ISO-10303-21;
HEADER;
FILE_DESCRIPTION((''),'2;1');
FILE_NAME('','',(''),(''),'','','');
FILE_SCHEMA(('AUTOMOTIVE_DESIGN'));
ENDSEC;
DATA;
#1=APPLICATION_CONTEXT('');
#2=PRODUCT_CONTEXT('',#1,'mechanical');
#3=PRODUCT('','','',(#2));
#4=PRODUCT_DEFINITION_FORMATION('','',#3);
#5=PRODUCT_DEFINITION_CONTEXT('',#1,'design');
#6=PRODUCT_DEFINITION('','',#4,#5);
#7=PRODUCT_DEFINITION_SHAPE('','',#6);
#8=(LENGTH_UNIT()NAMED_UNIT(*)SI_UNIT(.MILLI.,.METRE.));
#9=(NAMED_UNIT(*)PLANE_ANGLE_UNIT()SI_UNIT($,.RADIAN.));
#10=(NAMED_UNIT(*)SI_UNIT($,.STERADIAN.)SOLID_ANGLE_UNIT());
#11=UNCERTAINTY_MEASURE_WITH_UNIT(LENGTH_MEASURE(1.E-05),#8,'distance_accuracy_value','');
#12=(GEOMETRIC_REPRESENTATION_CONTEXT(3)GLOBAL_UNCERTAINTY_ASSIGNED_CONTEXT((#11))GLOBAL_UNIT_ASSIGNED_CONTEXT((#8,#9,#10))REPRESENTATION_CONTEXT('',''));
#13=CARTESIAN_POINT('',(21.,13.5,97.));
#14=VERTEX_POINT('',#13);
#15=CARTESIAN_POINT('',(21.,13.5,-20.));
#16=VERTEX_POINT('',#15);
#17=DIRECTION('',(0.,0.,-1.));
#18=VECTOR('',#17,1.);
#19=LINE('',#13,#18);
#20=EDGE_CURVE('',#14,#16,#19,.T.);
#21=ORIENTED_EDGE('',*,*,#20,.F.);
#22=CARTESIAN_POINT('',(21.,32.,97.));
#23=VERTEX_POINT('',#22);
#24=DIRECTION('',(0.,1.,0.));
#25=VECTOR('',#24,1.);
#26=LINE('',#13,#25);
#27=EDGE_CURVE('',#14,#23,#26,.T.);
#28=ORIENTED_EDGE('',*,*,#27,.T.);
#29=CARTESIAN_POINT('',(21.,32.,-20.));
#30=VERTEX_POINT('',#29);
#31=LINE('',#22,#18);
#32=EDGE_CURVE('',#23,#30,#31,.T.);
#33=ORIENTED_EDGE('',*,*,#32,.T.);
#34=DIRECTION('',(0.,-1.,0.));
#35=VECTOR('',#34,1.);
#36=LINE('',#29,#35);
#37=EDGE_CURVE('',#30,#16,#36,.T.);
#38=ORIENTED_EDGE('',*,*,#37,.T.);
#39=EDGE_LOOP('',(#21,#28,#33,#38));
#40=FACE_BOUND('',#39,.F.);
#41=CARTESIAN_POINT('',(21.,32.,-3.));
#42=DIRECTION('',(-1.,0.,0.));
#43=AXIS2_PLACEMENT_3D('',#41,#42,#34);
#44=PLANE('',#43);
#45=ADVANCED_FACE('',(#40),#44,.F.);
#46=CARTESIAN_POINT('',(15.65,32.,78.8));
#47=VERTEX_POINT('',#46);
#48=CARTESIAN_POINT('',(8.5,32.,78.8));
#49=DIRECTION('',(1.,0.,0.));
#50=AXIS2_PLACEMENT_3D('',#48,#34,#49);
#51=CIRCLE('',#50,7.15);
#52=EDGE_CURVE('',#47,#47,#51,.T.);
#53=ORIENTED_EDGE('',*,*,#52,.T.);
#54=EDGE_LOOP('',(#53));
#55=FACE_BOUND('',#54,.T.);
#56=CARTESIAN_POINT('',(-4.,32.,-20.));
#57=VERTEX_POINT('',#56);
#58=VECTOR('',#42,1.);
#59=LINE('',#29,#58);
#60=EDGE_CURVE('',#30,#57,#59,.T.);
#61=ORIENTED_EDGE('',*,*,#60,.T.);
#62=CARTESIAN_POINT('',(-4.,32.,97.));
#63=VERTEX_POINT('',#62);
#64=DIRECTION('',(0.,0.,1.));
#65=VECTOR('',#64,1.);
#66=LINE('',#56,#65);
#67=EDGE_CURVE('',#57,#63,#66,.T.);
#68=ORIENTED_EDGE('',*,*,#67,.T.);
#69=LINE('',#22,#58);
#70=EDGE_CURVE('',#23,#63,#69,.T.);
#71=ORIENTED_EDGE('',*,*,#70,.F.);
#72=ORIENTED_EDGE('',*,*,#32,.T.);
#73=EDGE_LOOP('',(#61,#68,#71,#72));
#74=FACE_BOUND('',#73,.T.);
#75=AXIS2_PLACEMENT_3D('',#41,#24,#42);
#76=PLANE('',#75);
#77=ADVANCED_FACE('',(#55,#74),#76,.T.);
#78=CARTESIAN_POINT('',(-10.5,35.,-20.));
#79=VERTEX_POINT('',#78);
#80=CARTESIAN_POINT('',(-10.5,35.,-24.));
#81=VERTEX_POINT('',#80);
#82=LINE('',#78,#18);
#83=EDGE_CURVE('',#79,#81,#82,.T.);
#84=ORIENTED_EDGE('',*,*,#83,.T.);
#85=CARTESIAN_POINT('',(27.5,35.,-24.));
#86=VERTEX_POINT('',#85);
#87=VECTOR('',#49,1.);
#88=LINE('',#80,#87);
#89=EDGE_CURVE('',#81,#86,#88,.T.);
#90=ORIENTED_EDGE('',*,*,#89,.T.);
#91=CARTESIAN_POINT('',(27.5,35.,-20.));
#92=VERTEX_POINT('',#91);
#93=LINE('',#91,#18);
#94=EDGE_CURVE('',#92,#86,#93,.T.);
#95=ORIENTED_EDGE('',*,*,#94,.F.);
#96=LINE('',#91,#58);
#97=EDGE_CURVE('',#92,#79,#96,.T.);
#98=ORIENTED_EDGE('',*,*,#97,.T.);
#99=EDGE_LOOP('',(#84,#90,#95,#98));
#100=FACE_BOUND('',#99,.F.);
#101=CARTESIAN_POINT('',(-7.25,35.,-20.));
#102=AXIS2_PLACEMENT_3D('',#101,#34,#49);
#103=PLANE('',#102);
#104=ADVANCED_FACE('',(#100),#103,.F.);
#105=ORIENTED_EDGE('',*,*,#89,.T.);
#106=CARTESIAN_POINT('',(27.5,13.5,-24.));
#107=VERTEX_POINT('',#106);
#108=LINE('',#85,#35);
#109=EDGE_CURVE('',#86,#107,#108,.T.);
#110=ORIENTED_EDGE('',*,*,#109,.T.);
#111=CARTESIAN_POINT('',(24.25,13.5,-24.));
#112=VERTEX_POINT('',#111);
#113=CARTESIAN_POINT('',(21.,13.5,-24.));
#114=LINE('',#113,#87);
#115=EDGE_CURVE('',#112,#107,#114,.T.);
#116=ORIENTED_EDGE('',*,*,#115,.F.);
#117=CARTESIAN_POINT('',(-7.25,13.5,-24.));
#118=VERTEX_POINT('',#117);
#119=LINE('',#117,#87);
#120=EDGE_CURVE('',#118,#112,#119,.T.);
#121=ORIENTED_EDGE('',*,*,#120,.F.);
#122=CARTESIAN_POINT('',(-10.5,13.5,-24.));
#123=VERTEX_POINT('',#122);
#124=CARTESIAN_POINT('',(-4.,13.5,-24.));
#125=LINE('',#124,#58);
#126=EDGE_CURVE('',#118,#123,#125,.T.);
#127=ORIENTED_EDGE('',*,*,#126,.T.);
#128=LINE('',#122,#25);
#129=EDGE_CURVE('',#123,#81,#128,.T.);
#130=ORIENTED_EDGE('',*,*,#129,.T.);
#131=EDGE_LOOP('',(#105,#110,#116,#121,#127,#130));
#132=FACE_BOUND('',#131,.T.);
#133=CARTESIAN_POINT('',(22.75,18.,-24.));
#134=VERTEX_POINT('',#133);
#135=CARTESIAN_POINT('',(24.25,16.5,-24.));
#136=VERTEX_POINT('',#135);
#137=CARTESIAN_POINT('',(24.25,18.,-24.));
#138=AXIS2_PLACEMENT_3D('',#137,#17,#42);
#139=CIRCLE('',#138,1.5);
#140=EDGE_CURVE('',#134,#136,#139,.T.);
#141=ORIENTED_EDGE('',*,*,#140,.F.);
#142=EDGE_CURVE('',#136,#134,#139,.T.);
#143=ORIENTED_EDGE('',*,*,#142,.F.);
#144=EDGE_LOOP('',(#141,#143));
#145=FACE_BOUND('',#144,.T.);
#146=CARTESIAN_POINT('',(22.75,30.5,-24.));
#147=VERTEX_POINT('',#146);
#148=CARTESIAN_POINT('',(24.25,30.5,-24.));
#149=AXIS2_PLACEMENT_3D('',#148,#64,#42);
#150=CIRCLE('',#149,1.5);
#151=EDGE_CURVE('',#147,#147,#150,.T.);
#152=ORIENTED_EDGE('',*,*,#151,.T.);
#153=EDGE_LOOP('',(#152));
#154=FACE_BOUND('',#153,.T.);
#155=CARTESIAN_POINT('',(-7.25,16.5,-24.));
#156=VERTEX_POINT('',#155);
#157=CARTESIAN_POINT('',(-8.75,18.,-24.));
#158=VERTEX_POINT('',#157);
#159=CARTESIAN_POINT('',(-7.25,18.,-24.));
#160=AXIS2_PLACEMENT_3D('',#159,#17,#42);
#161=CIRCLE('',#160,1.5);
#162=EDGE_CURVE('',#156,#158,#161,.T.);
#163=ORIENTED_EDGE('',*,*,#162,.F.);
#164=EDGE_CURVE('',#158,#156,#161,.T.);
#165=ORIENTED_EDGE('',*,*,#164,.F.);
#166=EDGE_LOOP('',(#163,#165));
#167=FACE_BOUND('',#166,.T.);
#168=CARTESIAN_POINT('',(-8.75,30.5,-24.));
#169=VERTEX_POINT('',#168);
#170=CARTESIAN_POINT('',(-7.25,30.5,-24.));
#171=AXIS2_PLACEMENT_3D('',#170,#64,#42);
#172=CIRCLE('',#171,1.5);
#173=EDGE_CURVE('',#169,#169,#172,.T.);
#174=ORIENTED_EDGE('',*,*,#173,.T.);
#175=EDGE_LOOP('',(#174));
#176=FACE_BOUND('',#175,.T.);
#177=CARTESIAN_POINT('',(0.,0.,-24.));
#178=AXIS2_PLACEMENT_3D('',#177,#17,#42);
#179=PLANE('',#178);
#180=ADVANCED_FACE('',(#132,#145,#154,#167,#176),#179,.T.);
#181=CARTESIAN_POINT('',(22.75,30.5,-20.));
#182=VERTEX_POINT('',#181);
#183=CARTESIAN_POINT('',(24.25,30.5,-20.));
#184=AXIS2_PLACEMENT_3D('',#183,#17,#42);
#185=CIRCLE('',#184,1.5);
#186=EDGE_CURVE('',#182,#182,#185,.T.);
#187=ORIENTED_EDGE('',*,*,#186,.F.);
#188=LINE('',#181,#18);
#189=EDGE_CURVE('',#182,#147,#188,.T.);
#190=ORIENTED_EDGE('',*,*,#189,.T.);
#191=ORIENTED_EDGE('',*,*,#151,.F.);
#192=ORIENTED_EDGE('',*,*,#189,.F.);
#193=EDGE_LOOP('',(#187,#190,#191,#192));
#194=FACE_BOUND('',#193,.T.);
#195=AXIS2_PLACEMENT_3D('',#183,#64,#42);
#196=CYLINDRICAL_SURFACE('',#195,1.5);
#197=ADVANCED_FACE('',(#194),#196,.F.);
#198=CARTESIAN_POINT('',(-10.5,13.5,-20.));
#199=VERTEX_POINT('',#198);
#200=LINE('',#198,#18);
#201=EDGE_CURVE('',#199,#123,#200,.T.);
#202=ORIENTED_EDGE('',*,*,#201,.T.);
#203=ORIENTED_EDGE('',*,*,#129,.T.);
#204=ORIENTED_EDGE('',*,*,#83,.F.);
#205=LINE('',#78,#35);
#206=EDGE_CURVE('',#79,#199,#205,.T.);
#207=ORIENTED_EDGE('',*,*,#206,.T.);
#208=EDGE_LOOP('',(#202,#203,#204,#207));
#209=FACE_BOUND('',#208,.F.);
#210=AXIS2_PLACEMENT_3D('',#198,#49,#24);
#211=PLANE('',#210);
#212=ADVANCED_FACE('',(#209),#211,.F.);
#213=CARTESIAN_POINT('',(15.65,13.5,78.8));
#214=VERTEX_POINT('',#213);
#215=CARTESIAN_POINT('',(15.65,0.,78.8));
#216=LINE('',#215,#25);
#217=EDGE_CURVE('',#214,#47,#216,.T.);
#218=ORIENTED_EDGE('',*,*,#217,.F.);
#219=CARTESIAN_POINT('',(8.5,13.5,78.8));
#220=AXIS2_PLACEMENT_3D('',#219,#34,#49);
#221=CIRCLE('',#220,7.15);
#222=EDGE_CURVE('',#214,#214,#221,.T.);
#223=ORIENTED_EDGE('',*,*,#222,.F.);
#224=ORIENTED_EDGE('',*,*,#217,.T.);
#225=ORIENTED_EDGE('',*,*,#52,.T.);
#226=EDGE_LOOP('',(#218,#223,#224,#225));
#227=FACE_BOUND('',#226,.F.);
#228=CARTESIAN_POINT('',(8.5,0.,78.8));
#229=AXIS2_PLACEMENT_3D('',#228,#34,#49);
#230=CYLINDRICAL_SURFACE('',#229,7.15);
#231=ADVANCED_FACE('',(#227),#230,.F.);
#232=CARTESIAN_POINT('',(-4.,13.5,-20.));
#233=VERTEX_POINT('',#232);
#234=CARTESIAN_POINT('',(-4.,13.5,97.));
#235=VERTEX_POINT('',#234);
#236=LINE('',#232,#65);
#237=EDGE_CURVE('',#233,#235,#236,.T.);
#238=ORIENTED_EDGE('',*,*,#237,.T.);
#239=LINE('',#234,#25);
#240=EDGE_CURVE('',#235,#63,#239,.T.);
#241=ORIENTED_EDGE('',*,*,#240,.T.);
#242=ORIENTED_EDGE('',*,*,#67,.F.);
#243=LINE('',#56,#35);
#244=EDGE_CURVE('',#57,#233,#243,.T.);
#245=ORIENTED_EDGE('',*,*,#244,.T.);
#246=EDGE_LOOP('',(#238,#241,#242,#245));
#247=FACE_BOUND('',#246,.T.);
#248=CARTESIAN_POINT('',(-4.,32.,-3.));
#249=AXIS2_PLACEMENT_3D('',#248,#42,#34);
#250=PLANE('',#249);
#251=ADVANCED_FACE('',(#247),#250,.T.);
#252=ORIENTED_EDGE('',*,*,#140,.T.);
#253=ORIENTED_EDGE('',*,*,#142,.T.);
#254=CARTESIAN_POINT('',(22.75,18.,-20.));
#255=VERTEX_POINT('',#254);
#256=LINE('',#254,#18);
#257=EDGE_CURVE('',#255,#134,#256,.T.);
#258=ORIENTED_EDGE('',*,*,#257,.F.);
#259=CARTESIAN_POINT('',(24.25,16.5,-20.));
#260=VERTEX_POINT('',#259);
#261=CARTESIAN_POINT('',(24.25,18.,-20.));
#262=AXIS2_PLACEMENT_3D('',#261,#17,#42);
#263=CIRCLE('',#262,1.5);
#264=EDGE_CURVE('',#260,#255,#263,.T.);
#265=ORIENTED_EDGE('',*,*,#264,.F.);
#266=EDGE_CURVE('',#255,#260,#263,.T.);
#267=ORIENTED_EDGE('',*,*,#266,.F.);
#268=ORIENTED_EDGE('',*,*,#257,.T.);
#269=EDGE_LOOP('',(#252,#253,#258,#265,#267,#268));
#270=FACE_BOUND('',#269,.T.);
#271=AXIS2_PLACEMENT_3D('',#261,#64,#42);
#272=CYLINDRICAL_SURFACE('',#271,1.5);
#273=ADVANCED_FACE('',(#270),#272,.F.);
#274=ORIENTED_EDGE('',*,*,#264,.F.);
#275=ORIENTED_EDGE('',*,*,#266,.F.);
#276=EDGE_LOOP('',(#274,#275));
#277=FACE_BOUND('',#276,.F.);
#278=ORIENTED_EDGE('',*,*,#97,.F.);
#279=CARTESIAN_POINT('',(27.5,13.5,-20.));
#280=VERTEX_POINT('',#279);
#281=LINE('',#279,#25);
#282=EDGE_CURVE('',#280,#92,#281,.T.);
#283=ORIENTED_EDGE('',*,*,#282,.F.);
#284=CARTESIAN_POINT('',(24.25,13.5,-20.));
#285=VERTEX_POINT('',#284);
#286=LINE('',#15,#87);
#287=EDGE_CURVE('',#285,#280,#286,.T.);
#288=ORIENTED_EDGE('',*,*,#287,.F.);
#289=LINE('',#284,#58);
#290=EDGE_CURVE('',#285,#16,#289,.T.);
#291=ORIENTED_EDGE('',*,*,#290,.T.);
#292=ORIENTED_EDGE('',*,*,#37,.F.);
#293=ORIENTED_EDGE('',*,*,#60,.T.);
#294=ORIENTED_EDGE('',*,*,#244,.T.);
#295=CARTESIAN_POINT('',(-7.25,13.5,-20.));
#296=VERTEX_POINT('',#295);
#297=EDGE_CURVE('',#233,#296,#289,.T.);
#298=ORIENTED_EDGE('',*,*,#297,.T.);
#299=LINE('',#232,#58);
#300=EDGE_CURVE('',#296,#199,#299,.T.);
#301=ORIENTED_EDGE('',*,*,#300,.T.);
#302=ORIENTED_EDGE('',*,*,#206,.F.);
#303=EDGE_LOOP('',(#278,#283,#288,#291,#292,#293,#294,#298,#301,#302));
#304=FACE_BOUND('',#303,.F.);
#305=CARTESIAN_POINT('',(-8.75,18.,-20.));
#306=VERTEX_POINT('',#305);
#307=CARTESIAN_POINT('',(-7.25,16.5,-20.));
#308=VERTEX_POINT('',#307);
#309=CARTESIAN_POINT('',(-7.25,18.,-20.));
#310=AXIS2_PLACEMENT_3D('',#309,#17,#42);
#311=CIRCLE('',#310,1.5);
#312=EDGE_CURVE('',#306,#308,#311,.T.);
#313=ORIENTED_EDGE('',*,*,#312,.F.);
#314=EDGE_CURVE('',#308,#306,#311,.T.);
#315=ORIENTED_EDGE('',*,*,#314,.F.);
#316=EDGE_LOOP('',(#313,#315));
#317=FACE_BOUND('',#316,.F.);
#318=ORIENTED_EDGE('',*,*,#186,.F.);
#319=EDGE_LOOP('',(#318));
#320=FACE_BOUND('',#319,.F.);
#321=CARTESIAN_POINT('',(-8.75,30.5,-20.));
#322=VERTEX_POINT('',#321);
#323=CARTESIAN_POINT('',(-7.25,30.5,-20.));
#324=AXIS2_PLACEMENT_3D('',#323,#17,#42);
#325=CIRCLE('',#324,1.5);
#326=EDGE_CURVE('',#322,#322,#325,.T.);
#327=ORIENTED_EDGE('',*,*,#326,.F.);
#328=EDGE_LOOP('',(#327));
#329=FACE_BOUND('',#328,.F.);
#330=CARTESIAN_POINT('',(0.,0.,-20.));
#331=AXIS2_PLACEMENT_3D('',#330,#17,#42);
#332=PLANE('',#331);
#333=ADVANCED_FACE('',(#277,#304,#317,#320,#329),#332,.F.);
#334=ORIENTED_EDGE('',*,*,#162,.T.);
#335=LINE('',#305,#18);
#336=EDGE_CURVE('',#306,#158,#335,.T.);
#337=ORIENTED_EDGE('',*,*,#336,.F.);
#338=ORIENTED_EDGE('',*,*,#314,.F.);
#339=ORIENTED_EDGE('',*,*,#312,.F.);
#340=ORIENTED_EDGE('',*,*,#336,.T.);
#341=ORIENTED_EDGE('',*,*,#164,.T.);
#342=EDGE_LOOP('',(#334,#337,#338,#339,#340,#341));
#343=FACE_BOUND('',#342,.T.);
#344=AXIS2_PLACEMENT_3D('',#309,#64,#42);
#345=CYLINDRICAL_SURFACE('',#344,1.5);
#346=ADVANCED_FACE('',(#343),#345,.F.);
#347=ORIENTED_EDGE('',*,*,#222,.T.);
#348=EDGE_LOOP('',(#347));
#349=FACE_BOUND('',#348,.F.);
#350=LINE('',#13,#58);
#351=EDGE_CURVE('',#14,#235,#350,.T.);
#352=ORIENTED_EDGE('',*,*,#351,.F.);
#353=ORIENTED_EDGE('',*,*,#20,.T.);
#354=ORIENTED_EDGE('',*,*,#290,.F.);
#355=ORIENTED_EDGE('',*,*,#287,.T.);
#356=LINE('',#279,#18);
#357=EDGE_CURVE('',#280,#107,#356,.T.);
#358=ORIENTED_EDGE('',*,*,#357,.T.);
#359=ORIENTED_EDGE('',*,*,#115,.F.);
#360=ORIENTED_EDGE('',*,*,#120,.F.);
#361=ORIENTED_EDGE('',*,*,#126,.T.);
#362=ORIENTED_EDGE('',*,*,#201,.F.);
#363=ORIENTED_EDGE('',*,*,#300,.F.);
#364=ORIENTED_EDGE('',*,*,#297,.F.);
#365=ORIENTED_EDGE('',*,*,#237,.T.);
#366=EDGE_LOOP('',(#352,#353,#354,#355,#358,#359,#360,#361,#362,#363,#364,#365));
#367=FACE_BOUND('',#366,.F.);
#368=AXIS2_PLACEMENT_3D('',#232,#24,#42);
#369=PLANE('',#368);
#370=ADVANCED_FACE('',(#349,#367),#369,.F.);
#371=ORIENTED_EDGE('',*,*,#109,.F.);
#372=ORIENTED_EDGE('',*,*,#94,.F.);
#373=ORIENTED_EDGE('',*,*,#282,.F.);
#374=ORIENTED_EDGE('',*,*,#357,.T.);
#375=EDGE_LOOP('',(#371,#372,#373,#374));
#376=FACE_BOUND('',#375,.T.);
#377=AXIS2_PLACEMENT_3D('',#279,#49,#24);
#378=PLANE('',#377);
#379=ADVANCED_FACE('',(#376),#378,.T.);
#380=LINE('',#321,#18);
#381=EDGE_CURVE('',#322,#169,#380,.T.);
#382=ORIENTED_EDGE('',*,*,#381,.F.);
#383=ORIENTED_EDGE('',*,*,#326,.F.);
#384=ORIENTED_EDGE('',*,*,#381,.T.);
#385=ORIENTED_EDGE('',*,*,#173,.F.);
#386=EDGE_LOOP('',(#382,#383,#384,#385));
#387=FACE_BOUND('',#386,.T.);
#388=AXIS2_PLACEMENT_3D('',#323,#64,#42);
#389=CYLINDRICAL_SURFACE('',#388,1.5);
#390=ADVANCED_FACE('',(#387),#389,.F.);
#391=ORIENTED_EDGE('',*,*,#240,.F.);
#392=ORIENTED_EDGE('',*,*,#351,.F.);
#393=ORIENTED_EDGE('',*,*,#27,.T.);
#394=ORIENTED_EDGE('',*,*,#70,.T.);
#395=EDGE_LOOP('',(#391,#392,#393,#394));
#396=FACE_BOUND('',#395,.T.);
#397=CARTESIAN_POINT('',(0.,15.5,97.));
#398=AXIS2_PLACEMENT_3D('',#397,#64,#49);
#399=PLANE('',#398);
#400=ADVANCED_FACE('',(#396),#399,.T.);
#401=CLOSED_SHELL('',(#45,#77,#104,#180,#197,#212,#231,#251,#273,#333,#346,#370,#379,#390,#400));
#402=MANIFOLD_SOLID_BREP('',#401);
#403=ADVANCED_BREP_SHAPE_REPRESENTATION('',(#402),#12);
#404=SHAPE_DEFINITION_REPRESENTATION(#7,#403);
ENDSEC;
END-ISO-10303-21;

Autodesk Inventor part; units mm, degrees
ref_plane "YZ Plane" through (0, 0, 0) normal (1, 0, 0) x (0, 1, 0)
ref_plane "XZ Plane" through (0, 0, 0) normal (0, 1, 0) x (-1, 0, 0)
ref_plane "XY Plane" through (0, 0, 0) normal (0, 0, 1) x (1, 0, 0)
sketch "Sketch14" plane through (0, 0, 0) normal (0, 0, 1) x (1, 0, 0)
  line L0 (0, 0) -> (17, 0)
  line L1 (17, 0) -> (17, 30)
  line L2 (17, 30) -> (0, 30)
  line L3 (0, 30) -> (0, 0)
  line L4 (-6, 36) -> (23, 36)
  line L5 (23, 36) -> (23, -6)
  line L6 (23, -6) -> (-6, -6)
  line L7 (-6, -6) -> (-6, 36)
  dimension "d55" = 17
  dimension "d56" = 30
  dimension "d57" = 6
extrude "Extrusion12" add sketch "Sketch14" against normal blind 3 contours L3 L2 L1 L0 | L4 L5 L6 L7
extrude "Extrusion13" add sketch "Sketch14" along normal blind 90 contours L3 L2 L1 L0
sketch "Sketch15" plane through (0, 0, 0) normal (0, -1, 0) x (1, 0, 0)
  line L0 (0, 0) -> (0, 90) projected
  line L1 (0, 90) -> (17.1111, 90)
  line L2 (0, 90) -> (17, 90)
  line L3 (17, 90) -> (17, 97)
  line L4 (17, 97) -> (0, 97)
  line L5 (0, 97) -> (0, 90)
  line L6 (17, 90) -> (0, 90) projected
  circle A0 centre (8.5, 78.8) radius 7.15
  line L7 (17, 0) -> (17, 90) projected
  line L8 (0, 97) -> (17, 97)
  line L9 (17, 97) -> (17, 42)
  line L10 (17, 42) -> (0, 42)
  line L11 (0, 42) -> (0, 97)
  dimension "d67" = 7
  dimension "d73" = 14.3
  dimension "d79" = 55
extrude "Extrusion14" cut sketch "Sketch15" against normal blind 90 contours A0
extrude "Extrusion15" cut sketch "Sketch15" against normal blind 15.5 contours L0 L1 L7 L10
extrude "Extrusion17" add sketch "Sketch15" against normal blind 30 contours L5 L4 L3 L1
sketch "Sketch16" plane through (0, 0, 0) normal (0, -1, 0) x (1, 0, 0)
  line L0 (0, 0) -> (0, 97) projected
  line L1 (17, 0) -> (17, 97) projected
  line L2 (0, 97) -> (17, 97)
  line L3 (17, 97) -> (17, 90)
  line L4 (17, 90) -> (0, 90)
  line L5 (0, 90) -> (0, 97)
  dimension "d86" = 7
extrude "Extrusion18" cut sketch "Sketch15" against normal blind 15.5 contours L5 L4 L3 L1
sketch "Sketch21" plane through (0, 15.5, 97) normal (0, 0, 1) x (1, 0, 0)
  line L0 (0, 14.5) -> (17, 14.5) projected
  line L1 (0, 14.5) -> (0, 16.5)
  line L2 (0, 16.5) -> (-2, 16.5)
  line L3 (17, 0) -> (19, 0)
  line L4 (19, 0) -> (19, -2)
  line L5 (-2, 16.5) -> (19, 16.5)
  line L6 (19, 16.5) -> (19, -2)
  line L7 (19, -2) -> (-2, -2)
  line L8 (-2, -2) -> (-2, 16.5)
  point P0 (0, -15.5)
  dimension "d109" = 2
  dimension "d110" = 2
  dimension "d111" = 2
  dimension "d112" = 2
extrude "Extrusion24" add sketch "Sketch21" against normal blind 97.9375
sketch "Sketch22" plane through (0, 0, 42) normal (0, 0, 1) x (1, 0, 0)
  line L0 (17, 13.5) -> (0, 13.5) projected
  line L1 (0, 13.5) -> (17.0001, 13.5)
  line L2 (17.0001, 13.5) -> (17.0001, 0)
  line L3 (17.0001, 0) -> (0, 0)
  line L4 (0, 0) -> (0, 13.5)
extrude "Extrusion25" cut sketch "Sketch22" against normal blind 42
extrude "Extrusion26" cut sketch "Sketch15" against normal blind 97.9375 contours A0
sketch "Sketch23" plane through (0, 0, -3) normal (0, 0, -1) x (-1, 0, 0)
  line L0 (-28.2805, -15.4048) -> (9.4268, -15.4048)
  line L1 (9.4268, -15.4048) -> (9.4268, 47.594)
  line L2 (9.4268, 47.594) -> (-28.2805, 47.594)
  line L3 (-28.2805, 47.594) -> (-28.2805, -15.4048)
  point P0 (0, 0)
extrude "Extrusion27" cut sketch "Sketch23" against normal blind 43
sketch "Sketch24" plane through (-2, 32, 97) normal (0, 1, 0) x (1, 0, 0)
  point P0 (2, 97)
sketch "Sketch25" plane through (-2, 32, 97) normal (0, 1, 0) x (1, 0, 0)
  point P0 (2, 97)
sketch "Sketch26" plane through (-2, 32, 97) normal (0, 1, 0) x (1, 0, 0)
  point P0 (2, 97)
sketch "Sketch27" plane through (-2, 32, 97) normal (0, 1, 0) x (1, 0, 0)
  point P0 (2, 97)
sketch "Sketch28" plane through (-2, 32, 97) normal (0, 1, 0) x (1, 0, 0)
  point P0 (2, 97)
sketch "Sketch29" plane through (-2, 32, 97) normal (0, 1, 0) x (1, 0, 0)
  point P0 (2, 97)
sketch "Sketch30" plane through (-2, 32, 97) normal (0, 1, 0) x (1, 0, 0)
  point P0 (2, 97)
  point P1 (21, 0)
  point P2 (0, 57)
sketch "Sketch31" plane through (0, 0, 40) normal (0, 0, -1) x (-1, 0, 0)
  line L0 (2, 13.5) -> (-19, 13.5) projected
  line L1 (-19, 32) -> (2, 32) projected
  line L2 (2, 13.5) -> (-19, 13.5)
  line L3 (-19, 13.5) -> (-19, 32)
  line L4 (-19, 32) -> (2, 32)
  line L5 (2, 32) -> (2, 13.5)
  point P0 (0, 0)
  point P1 (2, 32)
extrude "Extrusion28" add sketch "Sketch31" along normal blind 43
sketch "Sketch33" plane through (-2, 13.5, 97) normal (0, 0, 1) x (1, 0, 0)
  line L0 (0, 0) -> (21, 0) projected
  line L1 (0, 0) -> (-2, 0)
  line L2 (-2, 0) -> (-2, 18.5)
  line L3 (-2, 18.5) -> (0, 18.5)
  line L4 (0, 18.5) -> (0, 0)
  line L5 (21, 0) -> (21, 18.5) projected
  line L6 (21, 0) -> (23, 0)
  line L7 (23, 0) -> (23, 18.5)
  line L8 (23, 18.5) -> (21, 18.5)
  line L9 (21, 18.5) -> (21, 0)
  point P0 (2, -13.5)
  dimension "d123" = 2
  dimension "d124" = 2
extrude "Extrusion29" add sketch "Sketch33" against normal blind 100
sketch "Sketch37" plane through (0, 0, -3) normal (0, 0, -1) x (-1, 0, 0)
  line L0 (-21, 32) -> (-21, 13.5) projected
  line L1 (4, 13.5) -> (-21, 13.5) projected
  line L2 (-21, 32) -> (4, 32)
  line L3 (4, 32) -> (4, 13.5)
  line L4 (4, 13.5) -> (-21, 13.5)
  line L5 (-21, 13.5) -> (-21, 32)
  point P0 (0, 0)
extrude "Extrusion30" add sketch "Sketch37" along normal blind 17
sketch "Sketch38" plane through (0, 0, -20) normal (0, 0, -1) x (-1, 0, 0)
  line L0 (4, 13.5) -> (-21, 13.5) projected
  line L1 (4, 13.5) -> (10.5, 13.5)
  line L2 (10.5, 13.5) -> (10.5, 32)
  line L3 (10.5, 32) -> (4, 32)
  line L4 (4, 32) -> (4, 13.5)
  line L5 (-21, 13.5) -> (-21, 32) projected
  line L6 (-21, 13.5) -> (-27.5, 13.5)
  line L7 (-27.5, 13.5) -> (-27.5, 32)
  line L8 (-27.5, 32) -> (-21, 32)
  line L9 (-21, 32) -> (-21, 13.5)
  line L10 (-27.5, 32) -> (10.5, 32)
  line L11 (10.5, 32) -> (10.5, 36)
  line L12 (10.5, 36) -> (-27.5, 36)
  line L13 (-27.5, 36) -> (-27.5, 32)
  line L14 (-24.25, 13.5) -> (-24.25, 18)
  line L15 (-24.25, 36) -> (-24.25, 30.5)
  line L16 (7.25, 36) -> (7.25, 30.5)
  line L17 (7.25, 13.5) -> (7.25, 18)
  circle A0 centre (-24.25, 30.5) radius 1.5
  circle A1 centre (-24.25, 18) radius 1.5
  circle A2 centre (7.25, 18) radius 1.5
  circle A3 centre (7.25, 30.5) radius 1.5
  line L18 (-24.25, 31.5) -> (-24.25, 30.5)
  line L19 (7.25, 31.5) -> (7.25, 30.5)
  line L20 (-27.5, 36) -> (10.5, 36)
  line L21 (10.5, 36) -> (10.5, 35)
  line L22 (10.5, 35) -> (-27.5, 35)
  line L23 (-27.5, 35) -> (-27.5, 36)
  line L24 (7.25, 35) -> (10.5, 35)
  line L25 (10.5, 35) -> (10.5, 32)
  line L26 (10.5, 32) -> (7.25, 32)
  line L27 (7.25, 32) -> (7.25, 35)
  point P0 (0, 0)
  point P1 (7.25, 32)
  point P2 (7.25, 32)
  point P3 (7.25, 32)
  point P4 (7.25, 35)
  dimension "d132" = 4.5
  dimension "d135" = 4.5
  dimension "d137" = 3
  dimension "d138" = 3
  dimension "d142" = 1
  dimension "d143" = 1
extrude "Extrusion31" add sketch "Sketch38" along normal blind 4 contours L4 L3 L2 L1 | L0 L5 L10 L4 | L6 L7 L8 L5 | L10 L8 L15 L22 L16 L3 | L16 L22 L11 L3 | L8 L13 L22 L15
properties part number "ramie_2"
